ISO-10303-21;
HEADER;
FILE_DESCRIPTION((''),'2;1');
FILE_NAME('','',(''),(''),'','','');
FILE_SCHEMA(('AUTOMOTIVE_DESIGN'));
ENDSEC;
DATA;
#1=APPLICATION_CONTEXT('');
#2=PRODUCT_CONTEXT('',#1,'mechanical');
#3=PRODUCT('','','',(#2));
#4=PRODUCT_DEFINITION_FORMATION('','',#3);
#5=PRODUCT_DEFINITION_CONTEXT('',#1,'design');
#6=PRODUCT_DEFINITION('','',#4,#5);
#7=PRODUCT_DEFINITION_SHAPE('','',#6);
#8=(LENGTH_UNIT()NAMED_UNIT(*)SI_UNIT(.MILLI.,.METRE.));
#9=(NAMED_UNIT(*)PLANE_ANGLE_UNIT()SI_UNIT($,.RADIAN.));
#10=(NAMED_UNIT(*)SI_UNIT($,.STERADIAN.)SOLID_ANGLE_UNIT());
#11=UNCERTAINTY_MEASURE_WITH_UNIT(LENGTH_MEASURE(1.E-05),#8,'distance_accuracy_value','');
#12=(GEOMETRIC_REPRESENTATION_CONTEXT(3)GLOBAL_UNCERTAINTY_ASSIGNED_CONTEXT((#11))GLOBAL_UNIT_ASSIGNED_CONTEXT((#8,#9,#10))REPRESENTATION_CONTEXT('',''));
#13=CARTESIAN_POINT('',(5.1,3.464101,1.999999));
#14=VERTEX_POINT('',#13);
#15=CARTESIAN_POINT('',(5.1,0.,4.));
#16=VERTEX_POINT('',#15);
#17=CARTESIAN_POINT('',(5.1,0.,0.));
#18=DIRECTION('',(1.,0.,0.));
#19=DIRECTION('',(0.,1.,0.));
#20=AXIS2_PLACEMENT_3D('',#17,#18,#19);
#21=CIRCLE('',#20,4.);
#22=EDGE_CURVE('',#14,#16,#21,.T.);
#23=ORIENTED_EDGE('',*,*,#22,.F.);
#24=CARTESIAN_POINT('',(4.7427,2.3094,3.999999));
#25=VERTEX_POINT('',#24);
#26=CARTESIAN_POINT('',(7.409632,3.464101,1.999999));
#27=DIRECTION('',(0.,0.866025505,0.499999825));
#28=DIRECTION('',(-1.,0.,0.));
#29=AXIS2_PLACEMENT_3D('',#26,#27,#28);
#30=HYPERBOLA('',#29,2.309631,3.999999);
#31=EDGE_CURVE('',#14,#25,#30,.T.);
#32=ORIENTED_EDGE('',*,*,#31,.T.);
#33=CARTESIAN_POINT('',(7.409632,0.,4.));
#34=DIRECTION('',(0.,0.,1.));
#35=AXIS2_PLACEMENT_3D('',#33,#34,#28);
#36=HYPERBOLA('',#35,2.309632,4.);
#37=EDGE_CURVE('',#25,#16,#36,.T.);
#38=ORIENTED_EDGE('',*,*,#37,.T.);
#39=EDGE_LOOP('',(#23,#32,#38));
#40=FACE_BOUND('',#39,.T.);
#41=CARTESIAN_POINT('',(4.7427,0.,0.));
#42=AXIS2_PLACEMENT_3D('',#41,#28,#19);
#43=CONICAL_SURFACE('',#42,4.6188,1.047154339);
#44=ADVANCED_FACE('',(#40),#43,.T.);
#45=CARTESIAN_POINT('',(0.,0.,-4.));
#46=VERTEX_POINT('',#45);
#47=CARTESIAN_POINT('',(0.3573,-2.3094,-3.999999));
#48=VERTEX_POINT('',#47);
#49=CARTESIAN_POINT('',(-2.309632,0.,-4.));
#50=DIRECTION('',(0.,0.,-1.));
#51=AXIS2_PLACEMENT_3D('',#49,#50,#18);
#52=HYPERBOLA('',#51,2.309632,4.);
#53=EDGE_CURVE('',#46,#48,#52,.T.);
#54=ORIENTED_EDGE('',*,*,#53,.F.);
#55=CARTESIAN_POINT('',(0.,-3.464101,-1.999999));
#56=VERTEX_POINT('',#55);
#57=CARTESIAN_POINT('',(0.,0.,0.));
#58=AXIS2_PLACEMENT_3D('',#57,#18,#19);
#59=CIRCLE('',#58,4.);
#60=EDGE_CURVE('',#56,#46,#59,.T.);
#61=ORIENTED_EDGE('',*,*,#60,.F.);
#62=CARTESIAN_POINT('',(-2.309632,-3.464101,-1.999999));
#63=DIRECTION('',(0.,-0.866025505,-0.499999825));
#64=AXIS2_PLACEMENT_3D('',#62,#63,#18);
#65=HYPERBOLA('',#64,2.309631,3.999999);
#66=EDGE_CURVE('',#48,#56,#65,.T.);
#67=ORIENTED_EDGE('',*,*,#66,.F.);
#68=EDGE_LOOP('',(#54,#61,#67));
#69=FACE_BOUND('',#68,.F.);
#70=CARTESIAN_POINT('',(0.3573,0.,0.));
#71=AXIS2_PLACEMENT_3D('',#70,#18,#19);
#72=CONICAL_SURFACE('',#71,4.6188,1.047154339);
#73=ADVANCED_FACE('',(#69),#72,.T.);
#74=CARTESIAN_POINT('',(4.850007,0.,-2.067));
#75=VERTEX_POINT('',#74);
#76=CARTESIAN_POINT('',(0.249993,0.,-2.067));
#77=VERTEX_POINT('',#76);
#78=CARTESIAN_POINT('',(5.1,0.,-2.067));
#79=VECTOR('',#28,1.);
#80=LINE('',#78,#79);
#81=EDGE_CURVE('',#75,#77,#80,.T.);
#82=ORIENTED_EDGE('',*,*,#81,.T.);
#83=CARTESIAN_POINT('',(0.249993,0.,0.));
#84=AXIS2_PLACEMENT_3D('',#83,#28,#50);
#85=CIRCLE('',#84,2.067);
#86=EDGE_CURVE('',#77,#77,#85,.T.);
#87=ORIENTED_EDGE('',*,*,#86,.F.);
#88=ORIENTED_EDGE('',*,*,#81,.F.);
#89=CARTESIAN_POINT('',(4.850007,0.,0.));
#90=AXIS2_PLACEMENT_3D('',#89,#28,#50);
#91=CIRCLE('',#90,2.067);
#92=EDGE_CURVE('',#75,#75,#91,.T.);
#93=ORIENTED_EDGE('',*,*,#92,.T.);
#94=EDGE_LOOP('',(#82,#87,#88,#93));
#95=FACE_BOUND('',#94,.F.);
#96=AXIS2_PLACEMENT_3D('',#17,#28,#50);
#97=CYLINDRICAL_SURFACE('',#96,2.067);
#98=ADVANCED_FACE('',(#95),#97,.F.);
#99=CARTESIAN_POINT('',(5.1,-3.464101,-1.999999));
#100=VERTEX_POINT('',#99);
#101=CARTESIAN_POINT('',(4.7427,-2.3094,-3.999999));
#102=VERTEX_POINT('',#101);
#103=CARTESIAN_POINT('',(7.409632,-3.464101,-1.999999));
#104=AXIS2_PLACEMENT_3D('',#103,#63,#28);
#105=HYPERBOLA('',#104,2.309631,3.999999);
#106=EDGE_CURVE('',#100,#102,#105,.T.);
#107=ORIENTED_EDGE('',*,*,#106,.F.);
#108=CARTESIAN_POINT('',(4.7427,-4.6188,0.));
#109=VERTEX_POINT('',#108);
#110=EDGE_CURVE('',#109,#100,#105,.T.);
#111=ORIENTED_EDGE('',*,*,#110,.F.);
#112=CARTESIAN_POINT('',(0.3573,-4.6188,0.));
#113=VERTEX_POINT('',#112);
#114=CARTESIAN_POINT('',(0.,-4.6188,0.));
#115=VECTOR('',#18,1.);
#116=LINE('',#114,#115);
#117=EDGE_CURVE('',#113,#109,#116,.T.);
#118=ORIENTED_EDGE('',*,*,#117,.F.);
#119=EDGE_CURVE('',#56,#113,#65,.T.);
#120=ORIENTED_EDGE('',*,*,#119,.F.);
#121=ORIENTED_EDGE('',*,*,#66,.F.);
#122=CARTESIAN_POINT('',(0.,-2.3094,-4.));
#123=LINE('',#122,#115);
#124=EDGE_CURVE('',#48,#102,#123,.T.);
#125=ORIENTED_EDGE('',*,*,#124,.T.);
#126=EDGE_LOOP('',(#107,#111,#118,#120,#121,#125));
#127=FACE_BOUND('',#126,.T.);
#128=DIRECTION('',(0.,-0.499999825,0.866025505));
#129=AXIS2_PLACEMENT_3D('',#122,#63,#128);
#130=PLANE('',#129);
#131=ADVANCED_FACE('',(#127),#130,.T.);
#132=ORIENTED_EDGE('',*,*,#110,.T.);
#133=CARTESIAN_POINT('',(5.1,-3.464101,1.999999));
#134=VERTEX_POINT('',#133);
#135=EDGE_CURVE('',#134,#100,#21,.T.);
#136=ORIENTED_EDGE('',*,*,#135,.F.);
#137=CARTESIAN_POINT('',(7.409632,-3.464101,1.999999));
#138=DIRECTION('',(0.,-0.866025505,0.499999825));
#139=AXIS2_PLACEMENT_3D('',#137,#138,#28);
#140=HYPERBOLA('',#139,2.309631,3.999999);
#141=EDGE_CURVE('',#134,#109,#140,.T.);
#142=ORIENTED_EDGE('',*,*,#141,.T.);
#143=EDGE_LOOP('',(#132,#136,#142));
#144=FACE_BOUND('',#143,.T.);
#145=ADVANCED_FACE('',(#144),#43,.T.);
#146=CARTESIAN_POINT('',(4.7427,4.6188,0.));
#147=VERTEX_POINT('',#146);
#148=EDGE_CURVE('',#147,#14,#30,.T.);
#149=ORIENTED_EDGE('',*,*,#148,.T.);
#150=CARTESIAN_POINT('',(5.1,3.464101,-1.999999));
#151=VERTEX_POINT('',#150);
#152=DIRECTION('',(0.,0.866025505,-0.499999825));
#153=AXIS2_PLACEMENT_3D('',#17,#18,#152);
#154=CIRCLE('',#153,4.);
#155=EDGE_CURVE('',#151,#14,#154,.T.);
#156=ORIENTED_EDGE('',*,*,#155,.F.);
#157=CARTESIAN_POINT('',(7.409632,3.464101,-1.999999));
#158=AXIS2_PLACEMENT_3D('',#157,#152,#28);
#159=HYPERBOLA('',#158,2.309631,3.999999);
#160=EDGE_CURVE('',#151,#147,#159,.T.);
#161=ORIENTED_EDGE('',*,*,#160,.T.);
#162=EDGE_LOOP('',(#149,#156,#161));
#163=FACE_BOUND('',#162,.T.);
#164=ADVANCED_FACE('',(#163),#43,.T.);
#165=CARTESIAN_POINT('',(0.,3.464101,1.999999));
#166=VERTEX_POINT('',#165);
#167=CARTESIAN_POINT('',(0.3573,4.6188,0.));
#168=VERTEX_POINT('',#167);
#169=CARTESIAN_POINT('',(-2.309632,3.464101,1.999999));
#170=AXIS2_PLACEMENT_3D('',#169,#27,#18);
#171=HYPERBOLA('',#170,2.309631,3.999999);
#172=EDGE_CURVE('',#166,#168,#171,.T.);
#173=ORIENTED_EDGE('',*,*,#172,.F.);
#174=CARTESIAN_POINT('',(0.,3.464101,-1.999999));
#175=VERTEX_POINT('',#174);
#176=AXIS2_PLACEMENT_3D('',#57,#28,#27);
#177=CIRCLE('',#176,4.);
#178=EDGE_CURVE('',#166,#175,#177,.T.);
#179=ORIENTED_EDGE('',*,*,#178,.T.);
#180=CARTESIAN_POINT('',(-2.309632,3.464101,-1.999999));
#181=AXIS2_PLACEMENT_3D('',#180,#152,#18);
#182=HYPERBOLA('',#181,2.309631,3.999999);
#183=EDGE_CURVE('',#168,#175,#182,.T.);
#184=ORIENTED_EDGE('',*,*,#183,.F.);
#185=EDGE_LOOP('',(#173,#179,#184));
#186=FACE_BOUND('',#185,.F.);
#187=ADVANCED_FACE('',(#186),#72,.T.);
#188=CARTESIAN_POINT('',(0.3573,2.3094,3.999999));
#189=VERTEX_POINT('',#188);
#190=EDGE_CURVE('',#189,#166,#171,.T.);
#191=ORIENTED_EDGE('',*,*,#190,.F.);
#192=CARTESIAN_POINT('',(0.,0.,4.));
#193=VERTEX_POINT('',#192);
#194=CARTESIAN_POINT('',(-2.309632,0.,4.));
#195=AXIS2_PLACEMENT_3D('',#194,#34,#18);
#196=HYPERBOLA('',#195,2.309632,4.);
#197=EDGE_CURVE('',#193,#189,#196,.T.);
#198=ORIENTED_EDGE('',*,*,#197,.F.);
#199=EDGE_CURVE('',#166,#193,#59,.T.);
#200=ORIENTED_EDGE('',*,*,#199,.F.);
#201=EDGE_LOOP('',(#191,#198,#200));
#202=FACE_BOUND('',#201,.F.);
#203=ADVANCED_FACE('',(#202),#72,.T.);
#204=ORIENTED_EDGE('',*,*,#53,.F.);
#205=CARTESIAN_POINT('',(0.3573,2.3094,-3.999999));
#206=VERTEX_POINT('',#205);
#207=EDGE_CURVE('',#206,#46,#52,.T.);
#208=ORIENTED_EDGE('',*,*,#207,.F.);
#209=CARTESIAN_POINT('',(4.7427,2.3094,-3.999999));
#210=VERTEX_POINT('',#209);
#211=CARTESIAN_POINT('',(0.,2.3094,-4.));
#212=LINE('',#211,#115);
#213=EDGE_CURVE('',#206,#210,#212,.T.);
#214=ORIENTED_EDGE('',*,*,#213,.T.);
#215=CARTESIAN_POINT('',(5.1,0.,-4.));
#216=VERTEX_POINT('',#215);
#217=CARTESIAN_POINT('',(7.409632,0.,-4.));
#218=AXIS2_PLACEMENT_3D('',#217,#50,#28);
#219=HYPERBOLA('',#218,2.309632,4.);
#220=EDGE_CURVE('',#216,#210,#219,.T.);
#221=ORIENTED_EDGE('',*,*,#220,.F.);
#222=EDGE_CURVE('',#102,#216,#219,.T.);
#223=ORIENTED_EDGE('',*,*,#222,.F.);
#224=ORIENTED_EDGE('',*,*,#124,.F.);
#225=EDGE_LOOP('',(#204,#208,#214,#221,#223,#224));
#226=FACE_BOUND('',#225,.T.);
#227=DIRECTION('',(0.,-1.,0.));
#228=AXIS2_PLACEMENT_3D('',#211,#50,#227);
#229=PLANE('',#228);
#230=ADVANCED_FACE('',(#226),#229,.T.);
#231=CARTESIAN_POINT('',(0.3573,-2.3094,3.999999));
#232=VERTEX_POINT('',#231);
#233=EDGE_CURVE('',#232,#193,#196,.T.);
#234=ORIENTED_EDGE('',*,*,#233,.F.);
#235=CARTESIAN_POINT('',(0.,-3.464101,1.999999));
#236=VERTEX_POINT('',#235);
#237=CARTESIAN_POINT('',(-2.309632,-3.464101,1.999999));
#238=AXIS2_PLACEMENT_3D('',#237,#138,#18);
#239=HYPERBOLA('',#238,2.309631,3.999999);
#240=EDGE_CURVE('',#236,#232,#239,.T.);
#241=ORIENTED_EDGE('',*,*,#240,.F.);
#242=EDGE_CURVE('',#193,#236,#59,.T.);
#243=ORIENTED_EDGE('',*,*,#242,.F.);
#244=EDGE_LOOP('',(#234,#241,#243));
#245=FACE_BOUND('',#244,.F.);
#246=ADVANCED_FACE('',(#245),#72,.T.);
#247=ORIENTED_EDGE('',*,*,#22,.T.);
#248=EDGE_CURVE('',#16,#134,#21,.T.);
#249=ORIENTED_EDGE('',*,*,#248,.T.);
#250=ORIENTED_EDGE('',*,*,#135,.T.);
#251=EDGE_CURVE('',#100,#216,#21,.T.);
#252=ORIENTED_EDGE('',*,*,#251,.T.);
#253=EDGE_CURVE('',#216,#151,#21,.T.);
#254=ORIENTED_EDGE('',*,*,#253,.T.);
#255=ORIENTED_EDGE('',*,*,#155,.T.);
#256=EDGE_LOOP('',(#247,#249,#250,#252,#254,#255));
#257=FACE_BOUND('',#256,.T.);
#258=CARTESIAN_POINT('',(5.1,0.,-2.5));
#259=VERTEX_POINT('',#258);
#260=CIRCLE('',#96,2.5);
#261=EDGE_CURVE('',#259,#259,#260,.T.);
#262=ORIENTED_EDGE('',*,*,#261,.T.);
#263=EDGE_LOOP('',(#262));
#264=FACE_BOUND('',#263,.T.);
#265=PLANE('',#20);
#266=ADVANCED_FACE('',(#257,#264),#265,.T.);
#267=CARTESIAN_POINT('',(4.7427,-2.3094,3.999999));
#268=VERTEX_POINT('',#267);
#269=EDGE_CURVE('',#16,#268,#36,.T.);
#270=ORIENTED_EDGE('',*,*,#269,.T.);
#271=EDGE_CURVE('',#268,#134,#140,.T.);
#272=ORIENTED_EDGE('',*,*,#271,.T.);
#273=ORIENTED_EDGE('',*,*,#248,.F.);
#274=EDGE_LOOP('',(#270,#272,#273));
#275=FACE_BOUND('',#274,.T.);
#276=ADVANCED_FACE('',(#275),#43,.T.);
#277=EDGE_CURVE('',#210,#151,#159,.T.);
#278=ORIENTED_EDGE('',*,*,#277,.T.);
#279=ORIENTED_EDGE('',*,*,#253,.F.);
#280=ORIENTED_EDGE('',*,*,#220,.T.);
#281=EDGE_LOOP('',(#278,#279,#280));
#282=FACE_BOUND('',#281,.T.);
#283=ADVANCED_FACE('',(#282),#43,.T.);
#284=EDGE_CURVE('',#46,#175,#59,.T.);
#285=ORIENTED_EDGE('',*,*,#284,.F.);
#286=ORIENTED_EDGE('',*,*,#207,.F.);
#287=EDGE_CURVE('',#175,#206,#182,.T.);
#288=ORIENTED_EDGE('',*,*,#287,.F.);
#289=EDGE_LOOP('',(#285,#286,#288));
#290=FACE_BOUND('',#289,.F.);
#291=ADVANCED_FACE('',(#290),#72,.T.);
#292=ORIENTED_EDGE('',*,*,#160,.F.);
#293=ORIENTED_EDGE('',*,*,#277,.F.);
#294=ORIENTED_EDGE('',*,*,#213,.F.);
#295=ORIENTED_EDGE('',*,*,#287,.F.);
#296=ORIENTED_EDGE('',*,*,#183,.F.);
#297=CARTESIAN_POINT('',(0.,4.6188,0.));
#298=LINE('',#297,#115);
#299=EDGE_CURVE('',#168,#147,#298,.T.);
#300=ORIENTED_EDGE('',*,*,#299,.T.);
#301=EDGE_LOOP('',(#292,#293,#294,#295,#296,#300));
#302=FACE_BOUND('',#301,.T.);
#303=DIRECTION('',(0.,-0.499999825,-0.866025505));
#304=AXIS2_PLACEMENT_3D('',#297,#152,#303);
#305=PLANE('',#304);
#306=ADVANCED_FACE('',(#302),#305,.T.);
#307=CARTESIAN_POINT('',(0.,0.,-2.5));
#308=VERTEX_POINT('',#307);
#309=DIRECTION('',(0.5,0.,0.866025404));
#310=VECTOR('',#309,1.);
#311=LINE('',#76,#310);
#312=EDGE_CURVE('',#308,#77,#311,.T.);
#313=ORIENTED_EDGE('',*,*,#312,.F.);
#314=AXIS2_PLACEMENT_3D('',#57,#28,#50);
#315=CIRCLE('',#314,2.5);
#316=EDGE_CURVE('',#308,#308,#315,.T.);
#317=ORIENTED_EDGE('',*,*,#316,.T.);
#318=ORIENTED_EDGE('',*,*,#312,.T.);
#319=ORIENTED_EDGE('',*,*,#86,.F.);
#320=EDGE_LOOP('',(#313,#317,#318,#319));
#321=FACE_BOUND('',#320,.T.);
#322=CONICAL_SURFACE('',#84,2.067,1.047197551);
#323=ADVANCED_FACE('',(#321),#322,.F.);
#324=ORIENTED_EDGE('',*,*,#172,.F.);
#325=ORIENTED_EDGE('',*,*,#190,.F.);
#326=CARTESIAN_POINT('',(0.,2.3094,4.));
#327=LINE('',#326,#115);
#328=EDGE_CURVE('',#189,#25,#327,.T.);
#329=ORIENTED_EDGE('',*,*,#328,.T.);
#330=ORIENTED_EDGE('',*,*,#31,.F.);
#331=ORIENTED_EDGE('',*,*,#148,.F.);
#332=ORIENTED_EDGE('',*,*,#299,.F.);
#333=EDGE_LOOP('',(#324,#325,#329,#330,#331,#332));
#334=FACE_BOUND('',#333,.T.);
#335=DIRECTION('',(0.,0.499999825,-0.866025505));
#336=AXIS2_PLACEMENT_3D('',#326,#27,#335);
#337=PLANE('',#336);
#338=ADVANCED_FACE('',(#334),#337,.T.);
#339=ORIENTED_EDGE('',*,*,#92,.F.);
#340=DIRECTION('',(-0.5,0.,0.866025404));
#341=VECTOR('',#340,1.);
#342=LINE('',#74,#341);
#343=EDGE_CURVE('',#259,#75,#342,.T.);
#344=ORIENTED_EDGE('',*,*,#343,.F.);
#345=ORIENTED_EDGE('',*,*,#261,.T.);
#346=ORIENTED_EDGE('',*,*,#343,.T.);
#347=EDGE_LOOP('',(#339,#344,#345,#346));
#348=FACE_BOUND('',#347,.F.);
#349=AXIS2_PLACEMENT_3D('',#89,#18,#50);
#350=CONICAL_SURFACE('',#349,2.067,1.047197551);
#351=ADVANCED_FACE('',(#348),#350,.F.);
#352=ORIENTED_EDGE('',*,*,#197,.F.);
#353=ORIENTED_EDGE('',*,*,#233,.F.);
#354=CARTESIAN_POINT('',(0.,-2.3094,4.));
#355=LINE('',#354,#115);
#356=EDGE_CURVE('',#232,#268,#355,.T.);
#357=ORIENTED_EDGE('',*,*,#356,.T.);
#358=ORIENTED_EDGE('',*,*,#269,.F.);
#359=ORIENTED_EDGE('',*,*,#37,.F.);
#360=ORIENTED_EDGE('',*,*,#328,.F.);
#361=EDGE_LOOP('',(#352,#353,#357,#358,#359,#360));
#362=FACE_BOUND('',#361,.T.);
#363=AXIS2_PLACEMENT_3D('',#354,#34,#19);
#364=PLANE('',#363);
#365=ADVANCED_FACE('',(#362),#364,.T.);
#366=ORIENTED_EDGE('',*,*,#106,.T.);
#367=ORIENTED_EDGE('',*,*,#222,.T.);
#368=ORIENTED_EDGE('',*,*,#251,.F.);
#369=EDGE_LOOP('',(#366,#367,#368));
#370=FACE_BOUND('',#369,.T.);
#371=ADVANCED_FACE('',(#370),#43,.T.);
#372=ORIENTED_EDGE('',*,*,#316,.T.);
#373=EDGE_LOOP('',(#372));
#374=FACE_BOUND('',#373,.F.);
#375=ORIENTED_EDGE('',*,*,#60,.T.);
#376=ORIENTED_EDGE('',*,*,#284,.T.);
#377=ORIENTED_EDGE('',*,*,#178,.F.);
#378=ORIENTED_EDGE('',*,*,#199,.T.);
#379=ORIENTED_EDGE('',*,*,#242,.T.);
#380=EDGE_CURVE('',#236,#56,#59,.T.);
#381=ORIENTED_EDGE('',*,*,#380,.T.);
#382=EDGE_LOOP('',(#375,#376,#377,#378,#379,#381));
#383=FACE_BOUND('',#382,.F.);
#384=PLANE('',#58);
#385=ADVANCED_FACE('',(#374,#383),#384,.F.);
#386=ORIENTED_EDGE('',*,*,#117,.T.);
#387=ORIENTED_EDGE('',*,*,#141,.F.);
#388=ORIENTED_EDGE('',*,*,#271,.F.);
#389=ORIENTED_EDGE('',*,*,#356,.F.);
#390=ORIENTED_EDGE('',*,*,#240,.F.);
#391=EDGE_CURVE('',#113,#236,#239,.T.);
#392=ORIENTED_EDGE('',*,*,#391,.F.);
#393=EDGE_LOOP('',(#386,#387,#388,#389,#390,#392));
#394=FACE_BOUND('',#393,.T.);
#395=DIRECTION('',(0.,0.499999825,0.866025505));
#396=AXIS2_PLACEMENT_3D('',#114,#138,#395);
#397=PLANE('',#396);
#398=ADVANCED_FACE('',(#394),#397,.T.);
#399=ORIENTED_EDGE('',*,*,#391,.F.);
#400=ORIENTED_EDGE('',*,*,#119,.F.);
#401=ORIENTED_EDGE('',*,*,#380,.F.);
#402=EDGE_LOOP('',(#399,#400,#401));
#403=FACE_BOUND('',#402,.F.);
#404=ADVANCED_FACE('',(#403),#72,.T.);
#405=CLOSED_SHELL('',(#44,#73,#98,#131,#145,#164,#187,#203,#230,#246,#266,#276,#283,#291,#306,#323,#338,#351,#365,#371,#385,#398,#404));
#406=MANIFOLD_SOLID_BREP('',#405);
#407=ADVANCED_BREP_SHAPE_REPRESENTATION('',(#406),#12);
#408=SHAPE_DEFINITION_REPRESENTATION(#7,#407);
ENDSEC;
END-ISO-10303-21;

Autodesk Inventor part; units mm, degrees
ref_plane "YZ Plane" through (0, 0, 0) normal (1, 0, 0) x (0, 1, 0)
ref_plane "XZ Plane" through (0, 0, 0) normal (0, 1, 0) x (-1, 0, 0)
sketch "Sketch1" plane through (0, 0, 0) normal (1, 0, 0) x (0, 1, 0)
  line L0 (-4.6188, 0) -> (-2.3094, 4)
  line L1 (-2.3094, 4) -> (2.3094, 4)
  line L2 (2.3094, 4) -> (4.6188, 0)
  line L3 (4.6188, 0) -> (2.3094, -4)
  line L4 (2.3094, -4) -> (-2.3094, -4)
  line L5 (-2.3094, -4) -> (-4.6188, 0)
  point P0 (0, 0)
  point P1 (0, 0)
  dimension "d0" = 9.2376
extrude "Body" add sketch "Sketch1" along normal blind 5.1
sketch "Sketch2" plane through (0, 0, 0) normal (0, 0, 1) x (1, 0, 0)
  line L0 (0, 2.3094) -> (0, 4.6188) projected
  line L1 (0, 4.6188) -> (5.1, 4.6188) projected
  line L2 (5.1, 2.3094) -> (5.1, 4.6188) projected
  line L3 (-1.02, 0) -> (6.12, 0) projected
  line L4 (0.3573, 4.6188) -> (0, 4)
  line L5 (4.7427, 4.6188) -> (5.1, 4)
  dimension "d3" = 30
  dimension "d4" = 30
  dimension "d5" = 8
  dimension "d6" = 8
revolve "Chamfer1" cut sketch "Sketch2" angle 360 about axis through (-10, 0, 0) along (1, 0, 0)
sketch "Sketch3" plane through (5.1, 0, 0) normal (1, 0, 0) x (0, 0, -1)
  arc A0 (-2, -3.4641) -> (2, -3.4641) centre (0, 0) ccw projected
hole "Thread" at (5.1, 0, 0) direction (-1, 0, 0) diameter 4.134 end through all thread size "M5x0.8" class "6H" standard "ANSI Metric M Profile"
chamfer "Chamfer2" distance 0.433 angle 30 1 edges at (5.1, 0, 2.067) measured on face at (5.1, 3.336, -0.083)
chamfer "Chamfer3" distance 0.433 angle 30 1 edges at (0, 0, 2.067) measured on face at (0, 3.336, -0.083)
ref_plane "Work Plane1" through (-8.1417, 0, 0) normal (0, -0.866, -0.5) x (1, 0, 0)
equation "\"d0\" = 1.1547 * SW"
equation "\"d1\" = KOH"
equation "\"d3\" = ANG1"
equation "\"d4\" = ANG2"
equation "\"d5\" = SW0"
equation "\"d6\" = SW01"
equation "\"d8\" = -0.5 * GD1 + 0.5 * NND"
equation "\"d40\" = -0.5 * GD1 + 0.5 * NND"
equation "\"d10\" = -0.5 * GD1 + 0.5 * NND"
equation "\"d41\" = -0.5 * GD1 + 0.5 * NND"
equation "\"ANG1\" = 30deg"
equation "\"ANG2\" = 30deg"
equation "\"NND\" = 5"
equation "\"KOH\" = 5.1"
equation "\"SW\" = 8"
equation "\"SW0\" = SW"
equation "\"SW01\" = SW"
equation "\"GUL\" = 0.541266 * PTC"
equation "\"THREADDIA\" = 5"
equation "\"TOA\" = 30deg"
equation "\"PTC\" = 0.8"
equation "\"E0\" = 1.155 * SW"
equation "\"GAL\" = 0.541266 * PTC"
equation "\"SD2\" = 0"
equation "\"WFT\" = 0"
equation "\"GD1\" = 4.133975"
properties part number "ANSI B18.2.4.2M - M5 x 0.8" material "Steel, Mild"
